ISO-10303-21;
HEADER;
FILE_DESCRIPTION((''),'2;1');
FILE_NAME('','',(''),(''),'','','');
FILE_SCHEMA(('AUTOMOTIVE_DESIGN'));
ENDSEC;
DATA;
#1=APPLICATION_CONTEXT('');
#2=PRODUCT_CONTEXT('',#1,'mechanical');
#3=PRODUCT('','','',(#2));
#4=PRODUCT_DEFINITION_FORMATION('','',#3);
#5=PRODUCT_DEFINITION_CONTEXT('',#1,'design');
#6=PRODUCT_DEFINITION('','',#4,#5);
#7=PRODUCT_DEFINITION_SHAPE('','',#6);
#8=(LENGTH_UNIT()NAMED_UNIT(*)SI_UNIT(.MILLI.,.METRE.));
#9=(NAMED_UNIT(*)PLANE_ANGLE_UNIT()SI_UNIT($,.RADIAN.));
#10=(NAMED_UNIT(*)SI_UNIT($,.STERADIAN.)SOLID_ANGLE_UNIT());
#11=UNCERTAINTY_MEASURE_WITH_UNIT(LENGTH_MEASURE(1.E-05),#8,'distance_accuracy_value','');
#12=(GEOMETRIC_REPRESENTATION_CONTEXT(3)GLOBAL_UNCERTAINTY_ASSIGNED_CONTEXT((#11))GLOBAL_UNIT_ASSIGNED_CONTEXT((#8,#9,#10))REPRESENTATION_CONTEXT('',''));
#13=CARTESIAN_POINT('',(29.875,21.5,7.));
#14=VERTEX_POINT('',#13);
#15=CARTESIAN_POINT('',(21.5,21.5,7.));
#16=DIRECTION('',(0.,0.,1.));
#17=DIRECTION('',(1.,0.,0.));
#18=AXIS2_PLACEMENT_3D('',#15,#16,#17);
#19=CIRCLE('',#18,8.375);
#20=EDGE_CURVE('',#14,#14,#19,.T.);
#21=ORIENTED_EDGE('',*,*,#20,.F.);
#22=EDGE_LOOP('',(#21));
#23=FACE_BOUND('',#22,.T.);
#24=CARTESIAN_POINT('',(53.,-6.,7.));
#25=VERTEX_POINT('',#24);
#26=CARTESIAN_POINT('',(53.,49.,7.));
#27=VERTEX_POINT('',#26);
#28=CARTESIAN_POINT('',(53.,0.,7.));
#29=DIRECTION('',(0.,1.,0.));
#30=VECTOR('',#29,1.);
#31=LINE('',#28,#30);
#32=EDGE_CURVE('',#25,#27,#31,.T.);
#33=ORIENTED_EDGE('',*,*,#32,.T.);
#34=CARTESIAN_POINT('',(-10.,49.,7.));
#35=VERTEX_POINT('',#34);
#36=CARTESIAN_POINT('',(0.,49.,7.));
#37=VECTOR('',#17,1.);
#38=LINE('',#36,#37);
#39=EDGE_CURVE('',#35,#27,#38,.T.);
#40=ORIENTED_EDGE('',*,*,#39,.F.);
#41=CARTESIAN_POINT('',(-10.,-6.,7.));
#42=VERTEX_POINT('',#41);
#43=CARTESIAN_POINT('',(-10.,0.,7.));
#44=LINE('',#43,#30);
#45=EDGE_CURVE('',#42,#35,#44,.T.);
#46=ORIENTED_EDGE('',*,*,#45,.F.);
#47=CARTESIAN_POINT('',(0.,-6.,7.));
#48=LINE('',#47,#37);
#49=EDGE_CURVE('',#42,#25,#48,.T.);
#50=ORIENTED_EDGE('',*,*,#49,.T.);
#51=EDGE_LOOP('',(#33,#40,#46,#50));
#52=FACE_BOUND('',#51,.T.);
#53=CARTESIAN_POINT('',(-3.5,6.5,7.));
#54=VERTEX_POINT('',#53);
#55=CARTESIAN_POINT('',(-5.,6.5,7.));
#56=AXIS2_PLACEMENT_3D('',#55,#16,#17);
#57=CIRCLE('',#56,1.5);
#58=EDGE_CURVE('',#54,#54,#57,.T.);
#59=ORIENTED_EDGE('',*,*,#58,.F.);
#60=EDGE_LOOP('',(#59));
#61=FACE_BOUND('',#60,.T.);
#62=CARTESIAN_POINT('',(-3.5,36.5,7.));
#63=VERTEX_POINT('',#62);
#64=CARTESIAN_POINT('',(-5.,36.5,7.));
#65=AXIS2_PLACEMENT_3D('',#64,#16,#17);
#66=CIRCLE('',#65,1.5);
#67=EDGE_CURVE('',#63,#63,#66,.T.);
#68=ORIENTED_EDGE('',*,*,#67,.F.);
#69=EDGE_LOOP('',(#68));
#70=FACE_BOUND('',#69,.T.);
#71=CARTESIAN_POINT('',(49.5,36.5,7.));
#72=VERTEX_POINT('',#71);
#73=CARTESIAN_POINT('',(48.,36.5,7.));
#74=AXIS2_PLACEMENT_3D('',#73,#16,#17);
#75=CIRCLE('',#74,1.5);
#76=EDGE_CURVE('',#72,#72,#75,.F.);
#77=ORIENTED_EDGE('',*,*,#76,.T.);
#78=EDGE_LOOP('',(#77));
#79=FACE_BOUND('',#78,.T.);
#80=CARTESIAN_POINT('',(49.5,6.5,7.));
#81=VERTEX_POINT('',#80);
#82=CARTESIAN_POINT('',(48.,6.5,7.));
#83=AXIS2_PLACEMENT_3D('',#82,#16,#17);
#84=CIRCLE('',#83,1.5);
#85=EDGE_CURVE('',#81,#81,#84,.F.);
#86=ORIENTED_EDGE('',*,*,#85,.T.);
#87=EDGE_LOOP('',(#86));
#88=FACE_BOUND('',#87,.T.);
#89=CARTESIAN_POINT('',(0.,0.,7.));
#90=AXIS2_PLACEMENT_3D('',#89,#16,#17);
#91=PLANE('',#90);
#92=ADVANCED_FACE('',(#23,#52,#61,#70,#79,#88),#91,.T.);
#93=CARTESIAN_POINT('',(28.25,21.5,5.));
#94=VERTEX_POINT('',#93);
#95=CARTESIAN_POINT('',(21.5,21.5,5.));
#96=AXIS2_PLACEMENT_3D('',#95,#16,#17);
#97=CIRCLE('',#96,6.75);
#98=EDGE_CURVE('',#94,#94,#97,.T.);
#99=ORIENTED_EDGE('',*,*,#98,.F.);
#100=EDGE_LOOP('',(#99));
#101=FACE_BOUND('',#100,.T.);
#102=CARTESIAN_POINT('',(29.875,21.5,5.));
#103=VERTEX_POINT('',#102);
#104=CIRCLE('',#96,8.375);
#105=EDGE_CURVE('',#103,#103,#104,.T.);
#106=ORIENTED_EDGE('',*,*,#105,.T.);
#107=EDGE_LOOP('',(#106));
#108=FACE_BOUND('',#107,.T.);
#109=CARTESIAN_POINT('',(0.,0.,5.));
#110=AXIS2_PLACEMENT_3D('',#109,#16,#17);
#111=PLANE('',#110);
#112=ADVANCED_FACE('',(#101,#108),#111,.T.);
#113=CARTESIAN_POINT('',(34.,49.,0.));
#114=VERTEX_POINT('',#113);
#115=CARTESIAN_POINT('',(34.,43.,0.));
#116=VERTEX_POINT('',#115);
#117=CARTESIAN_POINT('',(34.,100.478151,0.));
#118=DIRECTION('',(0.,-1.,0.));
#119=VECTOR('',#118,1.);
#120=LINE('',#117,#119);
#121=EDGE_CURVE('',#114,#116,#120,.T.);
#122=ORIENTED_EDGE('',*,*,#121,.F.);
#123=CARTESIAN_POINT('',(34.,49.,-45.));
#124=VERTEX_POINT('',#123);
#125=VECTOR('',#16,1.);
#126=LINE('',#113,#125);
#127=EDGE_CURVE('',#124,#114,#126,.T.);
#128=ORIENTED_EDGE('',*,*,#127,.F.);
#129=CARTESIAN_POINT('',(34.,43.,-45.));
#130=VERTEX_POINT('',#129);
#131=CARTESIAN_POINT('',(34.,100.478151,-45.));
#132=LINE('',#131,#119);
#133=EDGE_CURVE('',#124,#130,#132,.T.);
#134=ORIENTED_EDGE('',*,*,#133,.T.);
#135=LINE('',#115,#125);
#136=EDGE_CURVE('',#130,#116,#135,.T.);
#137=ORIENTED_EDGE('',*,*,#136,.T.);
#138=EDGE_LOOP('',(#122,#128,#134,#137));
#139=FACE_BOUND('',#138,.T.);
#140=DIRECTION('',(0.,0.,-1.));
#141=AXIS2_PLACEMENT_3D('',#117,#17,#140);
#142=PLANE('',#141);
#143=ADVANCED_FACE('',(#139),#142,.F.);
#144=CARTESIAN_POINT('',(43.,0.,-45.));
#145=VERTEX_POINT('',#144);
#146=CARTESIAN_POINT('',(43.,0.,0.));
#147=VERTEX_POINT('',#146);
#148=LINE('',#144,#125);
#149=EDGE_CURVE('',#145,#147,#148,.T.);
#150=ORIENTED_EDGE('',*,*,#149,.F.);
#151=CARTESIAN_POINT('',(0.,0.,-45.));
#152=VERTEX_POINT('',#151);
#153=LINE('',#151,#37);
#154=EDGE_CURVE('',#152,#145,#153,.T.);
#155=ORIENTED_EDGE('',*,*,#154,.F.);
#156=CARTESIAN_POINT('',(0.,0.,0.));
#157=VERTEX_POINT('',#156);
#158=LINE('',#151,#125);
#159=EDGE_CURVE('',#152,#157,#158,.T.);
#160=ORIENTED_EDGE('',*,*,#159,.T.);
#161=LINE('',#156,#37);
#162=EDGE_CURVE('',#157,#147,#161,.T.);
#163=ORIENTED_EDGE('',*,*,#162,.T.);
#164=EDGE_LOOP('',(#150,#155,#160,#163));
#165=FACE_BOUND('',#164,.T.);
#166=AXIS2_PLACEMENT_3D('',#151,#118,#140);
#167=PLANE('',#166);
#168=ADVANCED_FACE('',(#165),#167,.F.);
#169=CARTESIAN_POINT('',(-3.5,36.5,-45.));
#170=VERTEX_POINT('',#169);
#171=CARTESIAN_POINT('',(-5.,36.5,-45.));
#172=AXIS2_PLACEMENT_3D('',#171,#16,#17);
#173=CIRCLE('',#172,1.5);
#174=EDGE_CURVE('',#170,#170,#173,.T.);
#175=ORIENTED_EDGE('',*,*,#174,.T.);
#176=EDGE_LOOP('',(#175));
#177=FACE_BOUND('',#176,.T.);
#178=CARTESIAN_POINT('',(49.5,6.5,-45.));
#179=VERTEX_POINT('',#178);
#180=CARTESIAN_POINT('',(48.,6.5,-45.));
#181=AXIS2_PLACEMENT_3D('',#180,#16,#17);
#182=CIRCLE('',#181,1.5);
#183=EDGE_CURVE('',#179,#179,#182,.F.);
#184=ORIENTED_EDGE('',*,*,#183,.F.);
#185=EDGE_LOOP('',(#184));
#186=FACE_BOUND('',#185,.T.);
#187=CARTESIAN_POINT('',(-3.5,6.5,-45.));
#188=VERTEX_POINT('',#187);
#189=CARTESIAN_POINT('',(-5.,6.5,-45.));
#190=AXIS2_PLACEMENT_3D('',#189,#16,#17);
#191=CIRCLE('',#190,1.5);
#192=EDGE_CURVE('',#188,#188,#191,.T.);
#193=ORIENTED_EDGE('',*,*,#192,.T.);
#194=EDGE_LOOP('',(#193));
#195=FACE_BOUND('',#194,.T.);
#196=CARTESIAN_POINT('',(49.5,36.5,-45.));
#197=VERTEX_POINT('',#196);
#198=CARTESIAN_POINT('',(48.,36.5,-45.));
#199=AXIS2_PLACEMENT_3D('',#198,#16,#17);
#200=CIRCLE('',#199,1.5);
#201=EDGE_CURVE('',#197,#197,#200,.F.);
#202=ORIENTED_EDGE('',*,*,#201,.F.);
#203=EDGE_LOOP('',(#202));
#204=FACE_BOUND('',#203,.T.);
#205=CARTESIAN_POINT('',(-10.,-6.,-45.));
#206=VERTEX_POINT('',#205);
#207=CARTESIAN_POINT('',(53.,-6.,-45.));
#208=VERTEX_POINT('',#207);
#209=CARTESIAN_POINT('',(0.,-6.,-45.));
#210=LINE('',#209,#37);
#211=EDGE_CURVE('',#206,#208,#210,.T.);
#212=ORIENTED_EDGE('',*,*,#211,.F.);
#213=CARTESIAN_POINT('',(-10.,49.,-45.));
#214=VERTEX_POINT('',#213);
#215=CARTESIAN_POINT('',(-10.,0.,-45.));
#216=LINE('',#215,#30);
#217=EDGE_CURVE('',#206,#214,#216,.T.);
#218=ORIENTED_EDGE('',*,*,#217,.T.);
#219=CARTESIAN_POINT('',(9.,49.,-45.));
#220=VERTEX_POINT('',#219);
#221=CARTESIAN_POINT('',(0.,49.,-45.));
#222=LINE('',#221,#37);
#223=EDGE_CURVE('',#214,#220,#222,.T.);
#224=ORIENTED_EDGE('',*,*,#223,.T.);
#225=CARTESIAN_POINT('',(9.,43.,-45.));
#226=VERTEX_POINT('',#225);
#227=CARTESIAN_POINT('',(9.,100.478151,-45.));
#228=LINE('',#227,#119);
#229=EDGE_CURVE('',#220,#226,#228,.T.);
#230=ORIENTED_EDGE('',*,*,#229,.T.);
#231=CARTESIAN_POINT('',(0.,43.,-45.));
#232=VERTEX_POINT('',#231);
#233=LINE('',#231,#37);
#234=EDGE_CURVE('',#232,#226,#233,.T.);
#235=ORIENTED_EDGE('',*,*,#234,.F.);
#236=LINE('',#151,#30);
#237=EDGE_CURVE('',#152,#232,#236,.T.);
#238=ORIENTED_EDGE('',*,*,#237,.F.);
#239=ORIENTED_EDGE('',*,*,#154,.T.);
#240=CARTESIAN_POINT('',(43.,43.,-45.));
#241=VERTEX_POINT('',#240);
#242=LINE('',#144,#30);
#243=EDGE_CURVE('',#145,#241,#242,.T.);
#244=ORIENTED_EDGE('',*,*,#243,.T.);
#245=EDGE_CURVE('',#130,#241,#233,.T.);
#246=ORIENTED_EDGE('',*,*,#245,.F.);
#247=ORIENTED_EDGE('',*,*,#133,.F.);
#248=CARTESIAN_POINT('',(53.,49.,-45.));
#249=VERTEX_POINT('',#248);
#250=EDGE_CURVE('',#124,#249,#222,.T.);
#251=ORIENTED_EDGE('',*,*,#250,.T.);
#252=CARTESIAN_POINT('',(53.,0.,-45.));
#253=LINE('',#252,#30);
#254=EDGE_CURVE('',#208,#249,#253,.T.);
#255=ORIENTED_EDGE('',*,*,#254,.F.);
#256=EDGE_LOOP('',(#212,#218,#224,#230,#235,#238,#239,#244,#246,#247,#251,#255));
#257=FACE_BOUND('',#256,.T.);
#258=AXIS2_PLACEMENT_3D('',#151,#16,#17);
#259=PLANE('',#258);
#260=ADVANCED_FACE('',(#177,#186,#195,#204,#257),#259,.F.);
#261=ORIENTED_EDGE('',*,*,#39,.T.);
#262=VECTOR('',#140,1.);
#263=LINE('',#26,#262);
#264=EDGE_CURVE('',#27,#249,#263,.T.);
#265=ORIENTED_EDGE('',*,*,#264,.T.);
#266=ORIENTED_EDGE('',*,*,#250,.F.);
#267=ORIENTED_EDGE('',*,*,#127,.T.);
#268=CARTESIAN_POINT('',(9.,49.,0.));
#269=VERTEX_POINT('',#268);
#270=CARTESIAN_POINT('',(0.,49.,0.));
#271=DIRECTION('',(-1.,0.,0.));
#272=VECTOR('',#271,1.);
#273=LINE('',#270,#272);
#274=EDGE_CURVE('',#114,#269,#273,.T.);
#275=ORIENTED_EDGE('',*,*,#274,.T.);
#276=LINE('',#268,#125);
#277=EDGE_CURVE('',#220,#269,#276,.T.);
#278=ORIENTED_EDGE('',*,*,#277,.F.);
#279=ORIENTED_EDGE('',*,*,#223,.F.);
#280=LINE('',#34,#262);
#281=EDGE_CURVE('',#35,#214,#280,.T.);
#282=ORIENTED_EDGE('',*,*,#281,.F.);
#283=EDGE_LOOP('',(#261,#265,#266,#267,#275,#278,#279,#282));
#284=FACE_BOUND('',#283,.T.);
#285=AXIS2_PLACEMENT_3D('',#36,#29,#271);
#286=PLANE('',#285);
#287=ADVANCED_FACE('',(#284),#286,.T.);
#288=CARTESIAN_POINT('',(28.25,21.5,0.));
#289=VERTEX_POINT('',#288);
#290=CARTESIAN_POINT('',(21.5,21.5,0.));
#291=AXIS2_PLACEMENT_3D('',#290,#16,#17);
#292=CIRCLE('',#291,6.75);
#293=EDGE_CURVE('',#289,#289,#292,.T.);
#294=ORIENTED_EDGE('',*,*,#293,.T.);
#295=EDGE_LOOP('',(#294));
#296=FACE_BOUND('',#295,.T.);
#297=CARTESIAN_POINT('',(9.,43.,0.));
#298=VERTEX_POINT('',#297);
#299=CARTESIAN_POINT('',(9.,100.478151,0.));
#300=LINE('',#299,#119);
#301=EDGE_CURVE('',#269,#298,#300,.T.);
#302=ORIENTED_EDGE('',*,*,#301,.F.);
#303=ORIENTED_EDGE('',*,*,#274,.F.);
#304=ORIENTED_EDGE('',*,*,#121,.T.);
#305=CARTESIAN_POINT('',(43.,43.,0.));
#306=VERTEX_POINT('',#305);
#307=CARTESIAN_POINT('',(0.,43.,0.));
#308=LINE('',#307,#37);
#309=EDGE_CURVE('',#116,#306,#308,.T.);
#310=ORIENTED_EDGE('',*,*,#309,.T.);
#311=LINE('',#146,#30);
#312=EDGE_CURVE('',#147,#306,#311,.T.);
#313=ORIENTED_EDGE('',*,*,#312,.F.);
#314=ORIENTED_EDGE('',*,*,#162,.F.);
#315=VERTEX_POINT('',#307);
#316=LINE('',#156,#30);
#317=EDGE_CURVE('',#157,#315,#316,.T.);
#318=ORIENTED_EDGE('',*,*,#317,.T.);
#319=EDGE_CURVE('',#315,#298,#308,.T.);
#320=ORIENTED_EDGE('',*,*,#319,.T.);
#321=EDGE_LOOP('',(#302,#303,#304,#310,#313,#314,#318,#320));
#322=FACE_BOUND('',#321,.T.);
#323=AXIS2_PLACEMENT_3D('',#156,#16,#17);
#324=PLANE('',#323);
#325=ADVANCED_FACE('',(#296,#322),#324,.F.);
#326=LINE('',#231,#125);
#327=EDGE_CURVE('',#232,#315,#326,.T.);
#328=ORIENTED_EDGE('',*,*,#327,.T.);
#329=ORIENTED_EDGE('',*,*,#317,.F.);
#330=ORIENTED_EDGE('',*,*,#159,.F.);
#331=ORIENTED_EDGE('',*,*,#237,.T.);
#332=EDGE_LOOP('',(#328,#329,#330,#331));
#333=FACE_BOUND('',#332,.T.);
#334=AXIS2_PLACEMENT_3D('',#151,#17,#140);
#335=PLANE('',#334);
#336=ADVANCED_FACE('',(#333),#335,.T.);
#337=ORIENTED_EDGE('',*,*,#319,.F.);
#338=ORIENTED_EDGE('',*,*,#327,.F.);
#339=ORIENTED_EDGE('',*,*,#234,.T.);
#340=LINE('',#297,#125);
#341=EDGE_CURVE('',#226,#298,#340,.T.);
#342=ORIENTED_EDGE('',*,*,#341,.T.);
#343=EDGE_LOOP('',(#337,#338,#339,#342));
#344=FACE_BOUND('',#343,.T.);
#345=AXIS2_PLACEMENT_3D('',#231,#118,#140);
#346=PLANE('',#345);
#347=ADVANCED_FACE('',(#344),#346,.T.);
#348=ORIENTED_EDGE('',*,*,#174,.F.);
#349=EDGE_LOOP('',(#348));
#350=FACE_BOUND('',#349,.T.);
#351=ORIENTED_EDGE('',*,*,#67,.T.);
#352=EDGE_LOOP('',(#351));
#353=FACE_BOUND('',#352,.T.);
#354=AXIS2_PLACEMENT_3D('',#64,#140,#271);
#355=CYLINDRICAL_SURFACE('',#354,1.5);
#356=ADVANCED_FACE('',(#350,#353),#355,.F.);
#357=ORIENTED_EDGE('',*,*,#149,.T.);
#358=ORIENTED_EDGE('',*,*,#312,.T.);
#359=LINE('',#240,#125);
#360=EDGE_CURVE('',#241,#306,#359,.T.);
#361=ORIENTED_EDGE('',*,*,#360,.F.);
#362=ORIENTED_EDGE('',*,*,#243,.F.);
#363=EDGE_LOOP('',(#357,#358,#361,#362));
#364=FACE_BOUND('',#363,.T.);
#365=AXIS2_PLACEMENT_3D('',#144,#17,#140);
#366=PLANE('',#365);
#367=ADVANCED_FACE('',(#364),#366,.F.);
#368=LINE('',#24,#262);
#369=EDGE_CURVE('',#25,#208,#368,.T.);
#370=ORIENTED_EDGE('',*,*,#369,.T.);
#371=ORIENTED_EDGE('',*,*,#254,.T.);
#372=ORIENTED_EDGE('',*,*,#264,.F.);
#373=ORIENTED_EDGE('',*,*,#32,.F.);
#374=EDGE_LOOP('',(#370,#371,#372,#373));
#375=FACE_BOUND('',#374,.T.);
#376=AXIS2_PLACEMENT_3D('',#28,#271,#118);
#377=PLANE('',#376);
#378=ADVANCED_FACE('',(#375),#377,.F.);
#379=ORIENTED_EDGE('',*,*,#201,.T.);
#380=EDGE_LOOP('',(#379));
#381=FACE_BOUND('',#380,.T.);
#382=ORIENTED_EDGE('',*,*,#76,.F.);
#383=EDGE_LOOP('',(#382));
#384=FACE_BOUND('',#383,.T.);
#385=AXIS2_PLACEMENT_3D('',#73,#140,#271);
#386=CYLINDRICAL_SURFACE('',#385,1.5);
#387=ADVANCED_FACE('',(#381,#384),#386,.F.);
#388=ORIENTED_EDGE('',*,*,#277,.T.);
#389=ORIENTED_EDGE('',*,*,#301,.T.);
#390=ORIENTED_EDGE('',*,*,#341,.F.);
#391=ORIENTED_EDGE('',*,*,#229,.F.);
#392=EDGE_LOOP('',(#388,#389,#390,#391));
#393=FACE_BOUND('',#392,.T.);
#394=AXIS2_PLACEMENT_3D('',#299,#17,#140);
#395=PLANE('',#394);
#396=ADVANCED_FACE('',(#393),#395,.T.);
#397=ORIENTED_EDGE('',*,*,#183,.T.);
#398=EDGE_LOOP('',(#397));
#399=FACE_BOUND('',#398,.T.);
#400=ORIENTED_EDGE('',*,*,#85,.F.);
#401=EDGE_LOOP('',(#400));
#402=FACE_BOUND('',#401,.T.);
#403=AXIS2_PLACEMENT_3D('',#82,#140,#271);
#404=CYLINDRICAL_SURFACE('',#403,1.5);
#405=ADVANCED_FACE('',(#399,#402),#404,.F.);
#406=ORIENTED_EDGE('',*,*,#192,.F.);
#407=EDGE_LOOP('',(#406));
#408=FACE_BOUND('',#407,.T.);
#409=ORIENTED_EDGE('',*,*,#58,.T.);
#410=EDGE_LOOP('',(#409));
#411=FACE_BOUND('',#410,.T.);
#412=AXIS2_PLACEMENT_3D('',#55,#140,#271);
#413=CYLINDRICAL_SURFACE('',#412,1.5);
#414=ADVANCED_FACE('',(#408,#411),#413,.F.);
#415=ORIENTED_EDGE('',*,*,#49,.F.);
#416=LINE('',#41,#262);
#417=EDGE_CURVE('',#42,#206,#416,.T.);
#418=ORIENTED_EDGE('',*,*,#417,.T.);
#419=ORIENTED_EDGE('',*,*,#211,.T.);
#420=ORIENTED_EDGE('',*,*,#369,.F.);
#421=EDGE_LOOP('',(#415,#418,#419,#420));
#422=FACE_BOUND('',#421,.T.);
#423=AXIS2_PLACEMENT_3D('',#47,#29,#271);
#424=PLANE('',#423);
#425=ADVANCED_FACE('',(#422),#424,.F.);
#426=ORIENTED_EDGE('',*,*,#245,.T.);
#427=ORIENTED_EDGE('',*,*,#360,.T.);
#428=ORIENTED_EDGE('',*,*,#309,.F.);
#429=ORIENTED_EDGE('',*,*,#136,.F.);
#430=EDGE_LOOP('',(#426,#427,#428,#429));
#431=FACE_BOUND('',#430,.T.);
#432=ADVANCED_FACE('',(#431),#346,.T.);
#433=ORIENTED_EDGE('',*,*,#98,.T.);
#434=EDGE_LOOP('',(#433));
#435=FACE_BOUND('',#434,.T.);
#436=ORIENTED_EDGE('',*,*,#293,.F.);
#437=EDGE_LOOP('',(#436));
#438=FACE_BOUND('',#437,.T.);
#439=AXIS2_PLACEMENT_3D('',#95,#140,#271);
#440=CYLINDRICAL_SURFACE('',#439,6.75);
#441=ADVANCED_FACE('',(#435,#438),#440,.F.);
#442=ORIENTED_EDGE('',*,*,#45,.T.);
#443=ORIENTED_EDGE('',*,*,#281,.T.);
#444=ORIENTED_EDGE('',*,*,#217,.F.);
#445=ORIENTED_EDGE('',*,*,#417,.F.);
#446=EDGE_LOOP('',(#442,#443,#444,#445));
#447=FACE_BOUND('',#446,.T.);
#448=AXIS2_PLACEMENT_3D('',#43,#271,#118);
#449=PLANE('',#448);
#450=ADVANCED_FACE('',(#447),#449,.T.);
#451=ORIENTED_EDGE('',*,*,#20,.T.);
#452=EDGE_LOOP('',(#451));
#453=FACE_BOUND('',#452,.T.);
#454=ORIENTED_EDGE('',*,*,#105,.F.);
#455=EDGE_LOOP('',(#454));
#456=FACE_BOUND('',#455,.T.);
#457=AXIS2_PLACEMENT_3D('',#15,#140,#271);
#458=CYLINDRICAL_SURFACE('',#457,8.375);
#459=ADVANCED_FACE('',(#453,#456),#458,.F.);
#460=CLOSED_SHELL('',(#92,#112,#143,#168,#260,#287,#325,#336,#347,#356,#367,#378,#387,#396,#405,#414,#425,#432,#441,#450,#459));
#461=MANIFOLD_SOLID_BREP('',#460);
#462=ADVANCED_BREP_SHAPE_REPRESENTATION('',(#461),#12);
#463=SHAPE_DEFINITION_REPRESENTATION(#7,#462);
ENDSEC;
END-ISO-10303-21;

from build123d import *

# Parameters (mm, degrees)
SKETCH1_7_W         = 63
SKETCH1_7_H         = 55
SKETCH1_7_R         = 1.5
SKETCH1_7_R_2       = 8.375
BOSS_EXTRUDE3_DEPTH = 7
BOSS_EXTRUDE4_START = -45
SKETCH1_8_W         = 63
SKETCH1_8_H         = 55
SKETCH1_8_R         = 1.5
SKETCH1_8_W_2       = 43
SKETCH1_8_H_2       = 43
BOSS_EXTRUDE4_DEPTH = 45
SKETCH1_9_R         = 8.375
SKETCH1_9_R_2       = 6.75
BOSS_EXTRUDE5_DEPTH = 5
SKETCH4_W           = 12.5
SKETCH4_H           = 45
CUT_EXTRUDE5_DEPTH  = 6


with BuildPart() as part:
    # Sketch1<7> → Boss-Extrude3 (new body)
    with BuildSketch(Plane.XY):
        with Locations((21.5, 21.5)):
            Rectangle(SKETCH1_7_W, SKETCH1_7_H)
        with Locations((-5, 36.5)):
            Circle(SKETCH1_7_R, mode=Mode.SUBTRACT)
        with Locations((-5, 6.5)):
            Circle(SKETCH1_7_R, mode=Mode.SUBTRACT)
        with Locations((48, 6.5)):
            Circle(SKETCH1_7_R, mode=Mode.SUBTRACT)
        with Locations((48, 36.5)):
            Circle(SKETCH1_7_R, mode=Mode.SUBTRACT)
        with Locations((21.5, 21.5)):
            Circle(SKETCH1_7_R_2, mode=Mode.SUBTRACT)
    extrude(amount=BOSS_EXTRUDE3_DEPTH)

    # Sketch1<8> → Boss-Extrude4 (add)
    with BuildSketch(Plane.XY.offset(BOSS_EXTRUDE4_START)):
        with Locations((21.5, 21.5)):
            Rectangle(SKETCH1_8_W, SKETCH1_8_H)
        with Locations((48, 6.5)):
            Circle(SKETCH1_8_R, mode=Mode.SUBTRACT)
        with Locations((-5, 6.5)):
            Circle(SKETCH1_8_R, mode=Mode.SUBTRACT)
        with Locations((-5, 36.5)):
            Circle(SKETCH1_8_R, mode=Mode.SUBTRACT)
        with Locations((48, 36.5)):
            Circle(SKETCH1_8_R, mode=Mode.SUBTRACT)
        with Locations((21.5, 21.5)):
            Rectangle(SKETCH1_8_W_2, SKETCH1_8_H_2, mode=Mode.SUBTRACT)
    extrude(amount=BOSS_EXTRUDE4_DEPTH)

    # Sketch1<9> → Boss-Extrude5 (add)
    with BuildSketch(Plane.XY):
        with Locations((21.5, 21.5)):
            Circle(SKETCH1_9_R)
        with Locations((21.5, 21.5)):
            Circle(SKETCH1_9_R_2, mode=Mode.SUBTRACT)
    extrude(amount=BOSS_EXTRUDE5_DEPTH)

    # Sketch4 → Cut-Extrude5 (cut)
    with BuildSketch(Plane.XZ.offset(-43)):
        with Locations((27.75, -22.5)):
            Rectangle(SKETCH4_W, SKETCH4_H)
        with Locations((15.25, -22.5)):
            Rectangle(SKETCH4_W, SKETCH4_H)
    extrude(amount=-CUT_EXTRUDE5_DEPTH, mode=Mode.SUBTRACT)


solid = part.part
